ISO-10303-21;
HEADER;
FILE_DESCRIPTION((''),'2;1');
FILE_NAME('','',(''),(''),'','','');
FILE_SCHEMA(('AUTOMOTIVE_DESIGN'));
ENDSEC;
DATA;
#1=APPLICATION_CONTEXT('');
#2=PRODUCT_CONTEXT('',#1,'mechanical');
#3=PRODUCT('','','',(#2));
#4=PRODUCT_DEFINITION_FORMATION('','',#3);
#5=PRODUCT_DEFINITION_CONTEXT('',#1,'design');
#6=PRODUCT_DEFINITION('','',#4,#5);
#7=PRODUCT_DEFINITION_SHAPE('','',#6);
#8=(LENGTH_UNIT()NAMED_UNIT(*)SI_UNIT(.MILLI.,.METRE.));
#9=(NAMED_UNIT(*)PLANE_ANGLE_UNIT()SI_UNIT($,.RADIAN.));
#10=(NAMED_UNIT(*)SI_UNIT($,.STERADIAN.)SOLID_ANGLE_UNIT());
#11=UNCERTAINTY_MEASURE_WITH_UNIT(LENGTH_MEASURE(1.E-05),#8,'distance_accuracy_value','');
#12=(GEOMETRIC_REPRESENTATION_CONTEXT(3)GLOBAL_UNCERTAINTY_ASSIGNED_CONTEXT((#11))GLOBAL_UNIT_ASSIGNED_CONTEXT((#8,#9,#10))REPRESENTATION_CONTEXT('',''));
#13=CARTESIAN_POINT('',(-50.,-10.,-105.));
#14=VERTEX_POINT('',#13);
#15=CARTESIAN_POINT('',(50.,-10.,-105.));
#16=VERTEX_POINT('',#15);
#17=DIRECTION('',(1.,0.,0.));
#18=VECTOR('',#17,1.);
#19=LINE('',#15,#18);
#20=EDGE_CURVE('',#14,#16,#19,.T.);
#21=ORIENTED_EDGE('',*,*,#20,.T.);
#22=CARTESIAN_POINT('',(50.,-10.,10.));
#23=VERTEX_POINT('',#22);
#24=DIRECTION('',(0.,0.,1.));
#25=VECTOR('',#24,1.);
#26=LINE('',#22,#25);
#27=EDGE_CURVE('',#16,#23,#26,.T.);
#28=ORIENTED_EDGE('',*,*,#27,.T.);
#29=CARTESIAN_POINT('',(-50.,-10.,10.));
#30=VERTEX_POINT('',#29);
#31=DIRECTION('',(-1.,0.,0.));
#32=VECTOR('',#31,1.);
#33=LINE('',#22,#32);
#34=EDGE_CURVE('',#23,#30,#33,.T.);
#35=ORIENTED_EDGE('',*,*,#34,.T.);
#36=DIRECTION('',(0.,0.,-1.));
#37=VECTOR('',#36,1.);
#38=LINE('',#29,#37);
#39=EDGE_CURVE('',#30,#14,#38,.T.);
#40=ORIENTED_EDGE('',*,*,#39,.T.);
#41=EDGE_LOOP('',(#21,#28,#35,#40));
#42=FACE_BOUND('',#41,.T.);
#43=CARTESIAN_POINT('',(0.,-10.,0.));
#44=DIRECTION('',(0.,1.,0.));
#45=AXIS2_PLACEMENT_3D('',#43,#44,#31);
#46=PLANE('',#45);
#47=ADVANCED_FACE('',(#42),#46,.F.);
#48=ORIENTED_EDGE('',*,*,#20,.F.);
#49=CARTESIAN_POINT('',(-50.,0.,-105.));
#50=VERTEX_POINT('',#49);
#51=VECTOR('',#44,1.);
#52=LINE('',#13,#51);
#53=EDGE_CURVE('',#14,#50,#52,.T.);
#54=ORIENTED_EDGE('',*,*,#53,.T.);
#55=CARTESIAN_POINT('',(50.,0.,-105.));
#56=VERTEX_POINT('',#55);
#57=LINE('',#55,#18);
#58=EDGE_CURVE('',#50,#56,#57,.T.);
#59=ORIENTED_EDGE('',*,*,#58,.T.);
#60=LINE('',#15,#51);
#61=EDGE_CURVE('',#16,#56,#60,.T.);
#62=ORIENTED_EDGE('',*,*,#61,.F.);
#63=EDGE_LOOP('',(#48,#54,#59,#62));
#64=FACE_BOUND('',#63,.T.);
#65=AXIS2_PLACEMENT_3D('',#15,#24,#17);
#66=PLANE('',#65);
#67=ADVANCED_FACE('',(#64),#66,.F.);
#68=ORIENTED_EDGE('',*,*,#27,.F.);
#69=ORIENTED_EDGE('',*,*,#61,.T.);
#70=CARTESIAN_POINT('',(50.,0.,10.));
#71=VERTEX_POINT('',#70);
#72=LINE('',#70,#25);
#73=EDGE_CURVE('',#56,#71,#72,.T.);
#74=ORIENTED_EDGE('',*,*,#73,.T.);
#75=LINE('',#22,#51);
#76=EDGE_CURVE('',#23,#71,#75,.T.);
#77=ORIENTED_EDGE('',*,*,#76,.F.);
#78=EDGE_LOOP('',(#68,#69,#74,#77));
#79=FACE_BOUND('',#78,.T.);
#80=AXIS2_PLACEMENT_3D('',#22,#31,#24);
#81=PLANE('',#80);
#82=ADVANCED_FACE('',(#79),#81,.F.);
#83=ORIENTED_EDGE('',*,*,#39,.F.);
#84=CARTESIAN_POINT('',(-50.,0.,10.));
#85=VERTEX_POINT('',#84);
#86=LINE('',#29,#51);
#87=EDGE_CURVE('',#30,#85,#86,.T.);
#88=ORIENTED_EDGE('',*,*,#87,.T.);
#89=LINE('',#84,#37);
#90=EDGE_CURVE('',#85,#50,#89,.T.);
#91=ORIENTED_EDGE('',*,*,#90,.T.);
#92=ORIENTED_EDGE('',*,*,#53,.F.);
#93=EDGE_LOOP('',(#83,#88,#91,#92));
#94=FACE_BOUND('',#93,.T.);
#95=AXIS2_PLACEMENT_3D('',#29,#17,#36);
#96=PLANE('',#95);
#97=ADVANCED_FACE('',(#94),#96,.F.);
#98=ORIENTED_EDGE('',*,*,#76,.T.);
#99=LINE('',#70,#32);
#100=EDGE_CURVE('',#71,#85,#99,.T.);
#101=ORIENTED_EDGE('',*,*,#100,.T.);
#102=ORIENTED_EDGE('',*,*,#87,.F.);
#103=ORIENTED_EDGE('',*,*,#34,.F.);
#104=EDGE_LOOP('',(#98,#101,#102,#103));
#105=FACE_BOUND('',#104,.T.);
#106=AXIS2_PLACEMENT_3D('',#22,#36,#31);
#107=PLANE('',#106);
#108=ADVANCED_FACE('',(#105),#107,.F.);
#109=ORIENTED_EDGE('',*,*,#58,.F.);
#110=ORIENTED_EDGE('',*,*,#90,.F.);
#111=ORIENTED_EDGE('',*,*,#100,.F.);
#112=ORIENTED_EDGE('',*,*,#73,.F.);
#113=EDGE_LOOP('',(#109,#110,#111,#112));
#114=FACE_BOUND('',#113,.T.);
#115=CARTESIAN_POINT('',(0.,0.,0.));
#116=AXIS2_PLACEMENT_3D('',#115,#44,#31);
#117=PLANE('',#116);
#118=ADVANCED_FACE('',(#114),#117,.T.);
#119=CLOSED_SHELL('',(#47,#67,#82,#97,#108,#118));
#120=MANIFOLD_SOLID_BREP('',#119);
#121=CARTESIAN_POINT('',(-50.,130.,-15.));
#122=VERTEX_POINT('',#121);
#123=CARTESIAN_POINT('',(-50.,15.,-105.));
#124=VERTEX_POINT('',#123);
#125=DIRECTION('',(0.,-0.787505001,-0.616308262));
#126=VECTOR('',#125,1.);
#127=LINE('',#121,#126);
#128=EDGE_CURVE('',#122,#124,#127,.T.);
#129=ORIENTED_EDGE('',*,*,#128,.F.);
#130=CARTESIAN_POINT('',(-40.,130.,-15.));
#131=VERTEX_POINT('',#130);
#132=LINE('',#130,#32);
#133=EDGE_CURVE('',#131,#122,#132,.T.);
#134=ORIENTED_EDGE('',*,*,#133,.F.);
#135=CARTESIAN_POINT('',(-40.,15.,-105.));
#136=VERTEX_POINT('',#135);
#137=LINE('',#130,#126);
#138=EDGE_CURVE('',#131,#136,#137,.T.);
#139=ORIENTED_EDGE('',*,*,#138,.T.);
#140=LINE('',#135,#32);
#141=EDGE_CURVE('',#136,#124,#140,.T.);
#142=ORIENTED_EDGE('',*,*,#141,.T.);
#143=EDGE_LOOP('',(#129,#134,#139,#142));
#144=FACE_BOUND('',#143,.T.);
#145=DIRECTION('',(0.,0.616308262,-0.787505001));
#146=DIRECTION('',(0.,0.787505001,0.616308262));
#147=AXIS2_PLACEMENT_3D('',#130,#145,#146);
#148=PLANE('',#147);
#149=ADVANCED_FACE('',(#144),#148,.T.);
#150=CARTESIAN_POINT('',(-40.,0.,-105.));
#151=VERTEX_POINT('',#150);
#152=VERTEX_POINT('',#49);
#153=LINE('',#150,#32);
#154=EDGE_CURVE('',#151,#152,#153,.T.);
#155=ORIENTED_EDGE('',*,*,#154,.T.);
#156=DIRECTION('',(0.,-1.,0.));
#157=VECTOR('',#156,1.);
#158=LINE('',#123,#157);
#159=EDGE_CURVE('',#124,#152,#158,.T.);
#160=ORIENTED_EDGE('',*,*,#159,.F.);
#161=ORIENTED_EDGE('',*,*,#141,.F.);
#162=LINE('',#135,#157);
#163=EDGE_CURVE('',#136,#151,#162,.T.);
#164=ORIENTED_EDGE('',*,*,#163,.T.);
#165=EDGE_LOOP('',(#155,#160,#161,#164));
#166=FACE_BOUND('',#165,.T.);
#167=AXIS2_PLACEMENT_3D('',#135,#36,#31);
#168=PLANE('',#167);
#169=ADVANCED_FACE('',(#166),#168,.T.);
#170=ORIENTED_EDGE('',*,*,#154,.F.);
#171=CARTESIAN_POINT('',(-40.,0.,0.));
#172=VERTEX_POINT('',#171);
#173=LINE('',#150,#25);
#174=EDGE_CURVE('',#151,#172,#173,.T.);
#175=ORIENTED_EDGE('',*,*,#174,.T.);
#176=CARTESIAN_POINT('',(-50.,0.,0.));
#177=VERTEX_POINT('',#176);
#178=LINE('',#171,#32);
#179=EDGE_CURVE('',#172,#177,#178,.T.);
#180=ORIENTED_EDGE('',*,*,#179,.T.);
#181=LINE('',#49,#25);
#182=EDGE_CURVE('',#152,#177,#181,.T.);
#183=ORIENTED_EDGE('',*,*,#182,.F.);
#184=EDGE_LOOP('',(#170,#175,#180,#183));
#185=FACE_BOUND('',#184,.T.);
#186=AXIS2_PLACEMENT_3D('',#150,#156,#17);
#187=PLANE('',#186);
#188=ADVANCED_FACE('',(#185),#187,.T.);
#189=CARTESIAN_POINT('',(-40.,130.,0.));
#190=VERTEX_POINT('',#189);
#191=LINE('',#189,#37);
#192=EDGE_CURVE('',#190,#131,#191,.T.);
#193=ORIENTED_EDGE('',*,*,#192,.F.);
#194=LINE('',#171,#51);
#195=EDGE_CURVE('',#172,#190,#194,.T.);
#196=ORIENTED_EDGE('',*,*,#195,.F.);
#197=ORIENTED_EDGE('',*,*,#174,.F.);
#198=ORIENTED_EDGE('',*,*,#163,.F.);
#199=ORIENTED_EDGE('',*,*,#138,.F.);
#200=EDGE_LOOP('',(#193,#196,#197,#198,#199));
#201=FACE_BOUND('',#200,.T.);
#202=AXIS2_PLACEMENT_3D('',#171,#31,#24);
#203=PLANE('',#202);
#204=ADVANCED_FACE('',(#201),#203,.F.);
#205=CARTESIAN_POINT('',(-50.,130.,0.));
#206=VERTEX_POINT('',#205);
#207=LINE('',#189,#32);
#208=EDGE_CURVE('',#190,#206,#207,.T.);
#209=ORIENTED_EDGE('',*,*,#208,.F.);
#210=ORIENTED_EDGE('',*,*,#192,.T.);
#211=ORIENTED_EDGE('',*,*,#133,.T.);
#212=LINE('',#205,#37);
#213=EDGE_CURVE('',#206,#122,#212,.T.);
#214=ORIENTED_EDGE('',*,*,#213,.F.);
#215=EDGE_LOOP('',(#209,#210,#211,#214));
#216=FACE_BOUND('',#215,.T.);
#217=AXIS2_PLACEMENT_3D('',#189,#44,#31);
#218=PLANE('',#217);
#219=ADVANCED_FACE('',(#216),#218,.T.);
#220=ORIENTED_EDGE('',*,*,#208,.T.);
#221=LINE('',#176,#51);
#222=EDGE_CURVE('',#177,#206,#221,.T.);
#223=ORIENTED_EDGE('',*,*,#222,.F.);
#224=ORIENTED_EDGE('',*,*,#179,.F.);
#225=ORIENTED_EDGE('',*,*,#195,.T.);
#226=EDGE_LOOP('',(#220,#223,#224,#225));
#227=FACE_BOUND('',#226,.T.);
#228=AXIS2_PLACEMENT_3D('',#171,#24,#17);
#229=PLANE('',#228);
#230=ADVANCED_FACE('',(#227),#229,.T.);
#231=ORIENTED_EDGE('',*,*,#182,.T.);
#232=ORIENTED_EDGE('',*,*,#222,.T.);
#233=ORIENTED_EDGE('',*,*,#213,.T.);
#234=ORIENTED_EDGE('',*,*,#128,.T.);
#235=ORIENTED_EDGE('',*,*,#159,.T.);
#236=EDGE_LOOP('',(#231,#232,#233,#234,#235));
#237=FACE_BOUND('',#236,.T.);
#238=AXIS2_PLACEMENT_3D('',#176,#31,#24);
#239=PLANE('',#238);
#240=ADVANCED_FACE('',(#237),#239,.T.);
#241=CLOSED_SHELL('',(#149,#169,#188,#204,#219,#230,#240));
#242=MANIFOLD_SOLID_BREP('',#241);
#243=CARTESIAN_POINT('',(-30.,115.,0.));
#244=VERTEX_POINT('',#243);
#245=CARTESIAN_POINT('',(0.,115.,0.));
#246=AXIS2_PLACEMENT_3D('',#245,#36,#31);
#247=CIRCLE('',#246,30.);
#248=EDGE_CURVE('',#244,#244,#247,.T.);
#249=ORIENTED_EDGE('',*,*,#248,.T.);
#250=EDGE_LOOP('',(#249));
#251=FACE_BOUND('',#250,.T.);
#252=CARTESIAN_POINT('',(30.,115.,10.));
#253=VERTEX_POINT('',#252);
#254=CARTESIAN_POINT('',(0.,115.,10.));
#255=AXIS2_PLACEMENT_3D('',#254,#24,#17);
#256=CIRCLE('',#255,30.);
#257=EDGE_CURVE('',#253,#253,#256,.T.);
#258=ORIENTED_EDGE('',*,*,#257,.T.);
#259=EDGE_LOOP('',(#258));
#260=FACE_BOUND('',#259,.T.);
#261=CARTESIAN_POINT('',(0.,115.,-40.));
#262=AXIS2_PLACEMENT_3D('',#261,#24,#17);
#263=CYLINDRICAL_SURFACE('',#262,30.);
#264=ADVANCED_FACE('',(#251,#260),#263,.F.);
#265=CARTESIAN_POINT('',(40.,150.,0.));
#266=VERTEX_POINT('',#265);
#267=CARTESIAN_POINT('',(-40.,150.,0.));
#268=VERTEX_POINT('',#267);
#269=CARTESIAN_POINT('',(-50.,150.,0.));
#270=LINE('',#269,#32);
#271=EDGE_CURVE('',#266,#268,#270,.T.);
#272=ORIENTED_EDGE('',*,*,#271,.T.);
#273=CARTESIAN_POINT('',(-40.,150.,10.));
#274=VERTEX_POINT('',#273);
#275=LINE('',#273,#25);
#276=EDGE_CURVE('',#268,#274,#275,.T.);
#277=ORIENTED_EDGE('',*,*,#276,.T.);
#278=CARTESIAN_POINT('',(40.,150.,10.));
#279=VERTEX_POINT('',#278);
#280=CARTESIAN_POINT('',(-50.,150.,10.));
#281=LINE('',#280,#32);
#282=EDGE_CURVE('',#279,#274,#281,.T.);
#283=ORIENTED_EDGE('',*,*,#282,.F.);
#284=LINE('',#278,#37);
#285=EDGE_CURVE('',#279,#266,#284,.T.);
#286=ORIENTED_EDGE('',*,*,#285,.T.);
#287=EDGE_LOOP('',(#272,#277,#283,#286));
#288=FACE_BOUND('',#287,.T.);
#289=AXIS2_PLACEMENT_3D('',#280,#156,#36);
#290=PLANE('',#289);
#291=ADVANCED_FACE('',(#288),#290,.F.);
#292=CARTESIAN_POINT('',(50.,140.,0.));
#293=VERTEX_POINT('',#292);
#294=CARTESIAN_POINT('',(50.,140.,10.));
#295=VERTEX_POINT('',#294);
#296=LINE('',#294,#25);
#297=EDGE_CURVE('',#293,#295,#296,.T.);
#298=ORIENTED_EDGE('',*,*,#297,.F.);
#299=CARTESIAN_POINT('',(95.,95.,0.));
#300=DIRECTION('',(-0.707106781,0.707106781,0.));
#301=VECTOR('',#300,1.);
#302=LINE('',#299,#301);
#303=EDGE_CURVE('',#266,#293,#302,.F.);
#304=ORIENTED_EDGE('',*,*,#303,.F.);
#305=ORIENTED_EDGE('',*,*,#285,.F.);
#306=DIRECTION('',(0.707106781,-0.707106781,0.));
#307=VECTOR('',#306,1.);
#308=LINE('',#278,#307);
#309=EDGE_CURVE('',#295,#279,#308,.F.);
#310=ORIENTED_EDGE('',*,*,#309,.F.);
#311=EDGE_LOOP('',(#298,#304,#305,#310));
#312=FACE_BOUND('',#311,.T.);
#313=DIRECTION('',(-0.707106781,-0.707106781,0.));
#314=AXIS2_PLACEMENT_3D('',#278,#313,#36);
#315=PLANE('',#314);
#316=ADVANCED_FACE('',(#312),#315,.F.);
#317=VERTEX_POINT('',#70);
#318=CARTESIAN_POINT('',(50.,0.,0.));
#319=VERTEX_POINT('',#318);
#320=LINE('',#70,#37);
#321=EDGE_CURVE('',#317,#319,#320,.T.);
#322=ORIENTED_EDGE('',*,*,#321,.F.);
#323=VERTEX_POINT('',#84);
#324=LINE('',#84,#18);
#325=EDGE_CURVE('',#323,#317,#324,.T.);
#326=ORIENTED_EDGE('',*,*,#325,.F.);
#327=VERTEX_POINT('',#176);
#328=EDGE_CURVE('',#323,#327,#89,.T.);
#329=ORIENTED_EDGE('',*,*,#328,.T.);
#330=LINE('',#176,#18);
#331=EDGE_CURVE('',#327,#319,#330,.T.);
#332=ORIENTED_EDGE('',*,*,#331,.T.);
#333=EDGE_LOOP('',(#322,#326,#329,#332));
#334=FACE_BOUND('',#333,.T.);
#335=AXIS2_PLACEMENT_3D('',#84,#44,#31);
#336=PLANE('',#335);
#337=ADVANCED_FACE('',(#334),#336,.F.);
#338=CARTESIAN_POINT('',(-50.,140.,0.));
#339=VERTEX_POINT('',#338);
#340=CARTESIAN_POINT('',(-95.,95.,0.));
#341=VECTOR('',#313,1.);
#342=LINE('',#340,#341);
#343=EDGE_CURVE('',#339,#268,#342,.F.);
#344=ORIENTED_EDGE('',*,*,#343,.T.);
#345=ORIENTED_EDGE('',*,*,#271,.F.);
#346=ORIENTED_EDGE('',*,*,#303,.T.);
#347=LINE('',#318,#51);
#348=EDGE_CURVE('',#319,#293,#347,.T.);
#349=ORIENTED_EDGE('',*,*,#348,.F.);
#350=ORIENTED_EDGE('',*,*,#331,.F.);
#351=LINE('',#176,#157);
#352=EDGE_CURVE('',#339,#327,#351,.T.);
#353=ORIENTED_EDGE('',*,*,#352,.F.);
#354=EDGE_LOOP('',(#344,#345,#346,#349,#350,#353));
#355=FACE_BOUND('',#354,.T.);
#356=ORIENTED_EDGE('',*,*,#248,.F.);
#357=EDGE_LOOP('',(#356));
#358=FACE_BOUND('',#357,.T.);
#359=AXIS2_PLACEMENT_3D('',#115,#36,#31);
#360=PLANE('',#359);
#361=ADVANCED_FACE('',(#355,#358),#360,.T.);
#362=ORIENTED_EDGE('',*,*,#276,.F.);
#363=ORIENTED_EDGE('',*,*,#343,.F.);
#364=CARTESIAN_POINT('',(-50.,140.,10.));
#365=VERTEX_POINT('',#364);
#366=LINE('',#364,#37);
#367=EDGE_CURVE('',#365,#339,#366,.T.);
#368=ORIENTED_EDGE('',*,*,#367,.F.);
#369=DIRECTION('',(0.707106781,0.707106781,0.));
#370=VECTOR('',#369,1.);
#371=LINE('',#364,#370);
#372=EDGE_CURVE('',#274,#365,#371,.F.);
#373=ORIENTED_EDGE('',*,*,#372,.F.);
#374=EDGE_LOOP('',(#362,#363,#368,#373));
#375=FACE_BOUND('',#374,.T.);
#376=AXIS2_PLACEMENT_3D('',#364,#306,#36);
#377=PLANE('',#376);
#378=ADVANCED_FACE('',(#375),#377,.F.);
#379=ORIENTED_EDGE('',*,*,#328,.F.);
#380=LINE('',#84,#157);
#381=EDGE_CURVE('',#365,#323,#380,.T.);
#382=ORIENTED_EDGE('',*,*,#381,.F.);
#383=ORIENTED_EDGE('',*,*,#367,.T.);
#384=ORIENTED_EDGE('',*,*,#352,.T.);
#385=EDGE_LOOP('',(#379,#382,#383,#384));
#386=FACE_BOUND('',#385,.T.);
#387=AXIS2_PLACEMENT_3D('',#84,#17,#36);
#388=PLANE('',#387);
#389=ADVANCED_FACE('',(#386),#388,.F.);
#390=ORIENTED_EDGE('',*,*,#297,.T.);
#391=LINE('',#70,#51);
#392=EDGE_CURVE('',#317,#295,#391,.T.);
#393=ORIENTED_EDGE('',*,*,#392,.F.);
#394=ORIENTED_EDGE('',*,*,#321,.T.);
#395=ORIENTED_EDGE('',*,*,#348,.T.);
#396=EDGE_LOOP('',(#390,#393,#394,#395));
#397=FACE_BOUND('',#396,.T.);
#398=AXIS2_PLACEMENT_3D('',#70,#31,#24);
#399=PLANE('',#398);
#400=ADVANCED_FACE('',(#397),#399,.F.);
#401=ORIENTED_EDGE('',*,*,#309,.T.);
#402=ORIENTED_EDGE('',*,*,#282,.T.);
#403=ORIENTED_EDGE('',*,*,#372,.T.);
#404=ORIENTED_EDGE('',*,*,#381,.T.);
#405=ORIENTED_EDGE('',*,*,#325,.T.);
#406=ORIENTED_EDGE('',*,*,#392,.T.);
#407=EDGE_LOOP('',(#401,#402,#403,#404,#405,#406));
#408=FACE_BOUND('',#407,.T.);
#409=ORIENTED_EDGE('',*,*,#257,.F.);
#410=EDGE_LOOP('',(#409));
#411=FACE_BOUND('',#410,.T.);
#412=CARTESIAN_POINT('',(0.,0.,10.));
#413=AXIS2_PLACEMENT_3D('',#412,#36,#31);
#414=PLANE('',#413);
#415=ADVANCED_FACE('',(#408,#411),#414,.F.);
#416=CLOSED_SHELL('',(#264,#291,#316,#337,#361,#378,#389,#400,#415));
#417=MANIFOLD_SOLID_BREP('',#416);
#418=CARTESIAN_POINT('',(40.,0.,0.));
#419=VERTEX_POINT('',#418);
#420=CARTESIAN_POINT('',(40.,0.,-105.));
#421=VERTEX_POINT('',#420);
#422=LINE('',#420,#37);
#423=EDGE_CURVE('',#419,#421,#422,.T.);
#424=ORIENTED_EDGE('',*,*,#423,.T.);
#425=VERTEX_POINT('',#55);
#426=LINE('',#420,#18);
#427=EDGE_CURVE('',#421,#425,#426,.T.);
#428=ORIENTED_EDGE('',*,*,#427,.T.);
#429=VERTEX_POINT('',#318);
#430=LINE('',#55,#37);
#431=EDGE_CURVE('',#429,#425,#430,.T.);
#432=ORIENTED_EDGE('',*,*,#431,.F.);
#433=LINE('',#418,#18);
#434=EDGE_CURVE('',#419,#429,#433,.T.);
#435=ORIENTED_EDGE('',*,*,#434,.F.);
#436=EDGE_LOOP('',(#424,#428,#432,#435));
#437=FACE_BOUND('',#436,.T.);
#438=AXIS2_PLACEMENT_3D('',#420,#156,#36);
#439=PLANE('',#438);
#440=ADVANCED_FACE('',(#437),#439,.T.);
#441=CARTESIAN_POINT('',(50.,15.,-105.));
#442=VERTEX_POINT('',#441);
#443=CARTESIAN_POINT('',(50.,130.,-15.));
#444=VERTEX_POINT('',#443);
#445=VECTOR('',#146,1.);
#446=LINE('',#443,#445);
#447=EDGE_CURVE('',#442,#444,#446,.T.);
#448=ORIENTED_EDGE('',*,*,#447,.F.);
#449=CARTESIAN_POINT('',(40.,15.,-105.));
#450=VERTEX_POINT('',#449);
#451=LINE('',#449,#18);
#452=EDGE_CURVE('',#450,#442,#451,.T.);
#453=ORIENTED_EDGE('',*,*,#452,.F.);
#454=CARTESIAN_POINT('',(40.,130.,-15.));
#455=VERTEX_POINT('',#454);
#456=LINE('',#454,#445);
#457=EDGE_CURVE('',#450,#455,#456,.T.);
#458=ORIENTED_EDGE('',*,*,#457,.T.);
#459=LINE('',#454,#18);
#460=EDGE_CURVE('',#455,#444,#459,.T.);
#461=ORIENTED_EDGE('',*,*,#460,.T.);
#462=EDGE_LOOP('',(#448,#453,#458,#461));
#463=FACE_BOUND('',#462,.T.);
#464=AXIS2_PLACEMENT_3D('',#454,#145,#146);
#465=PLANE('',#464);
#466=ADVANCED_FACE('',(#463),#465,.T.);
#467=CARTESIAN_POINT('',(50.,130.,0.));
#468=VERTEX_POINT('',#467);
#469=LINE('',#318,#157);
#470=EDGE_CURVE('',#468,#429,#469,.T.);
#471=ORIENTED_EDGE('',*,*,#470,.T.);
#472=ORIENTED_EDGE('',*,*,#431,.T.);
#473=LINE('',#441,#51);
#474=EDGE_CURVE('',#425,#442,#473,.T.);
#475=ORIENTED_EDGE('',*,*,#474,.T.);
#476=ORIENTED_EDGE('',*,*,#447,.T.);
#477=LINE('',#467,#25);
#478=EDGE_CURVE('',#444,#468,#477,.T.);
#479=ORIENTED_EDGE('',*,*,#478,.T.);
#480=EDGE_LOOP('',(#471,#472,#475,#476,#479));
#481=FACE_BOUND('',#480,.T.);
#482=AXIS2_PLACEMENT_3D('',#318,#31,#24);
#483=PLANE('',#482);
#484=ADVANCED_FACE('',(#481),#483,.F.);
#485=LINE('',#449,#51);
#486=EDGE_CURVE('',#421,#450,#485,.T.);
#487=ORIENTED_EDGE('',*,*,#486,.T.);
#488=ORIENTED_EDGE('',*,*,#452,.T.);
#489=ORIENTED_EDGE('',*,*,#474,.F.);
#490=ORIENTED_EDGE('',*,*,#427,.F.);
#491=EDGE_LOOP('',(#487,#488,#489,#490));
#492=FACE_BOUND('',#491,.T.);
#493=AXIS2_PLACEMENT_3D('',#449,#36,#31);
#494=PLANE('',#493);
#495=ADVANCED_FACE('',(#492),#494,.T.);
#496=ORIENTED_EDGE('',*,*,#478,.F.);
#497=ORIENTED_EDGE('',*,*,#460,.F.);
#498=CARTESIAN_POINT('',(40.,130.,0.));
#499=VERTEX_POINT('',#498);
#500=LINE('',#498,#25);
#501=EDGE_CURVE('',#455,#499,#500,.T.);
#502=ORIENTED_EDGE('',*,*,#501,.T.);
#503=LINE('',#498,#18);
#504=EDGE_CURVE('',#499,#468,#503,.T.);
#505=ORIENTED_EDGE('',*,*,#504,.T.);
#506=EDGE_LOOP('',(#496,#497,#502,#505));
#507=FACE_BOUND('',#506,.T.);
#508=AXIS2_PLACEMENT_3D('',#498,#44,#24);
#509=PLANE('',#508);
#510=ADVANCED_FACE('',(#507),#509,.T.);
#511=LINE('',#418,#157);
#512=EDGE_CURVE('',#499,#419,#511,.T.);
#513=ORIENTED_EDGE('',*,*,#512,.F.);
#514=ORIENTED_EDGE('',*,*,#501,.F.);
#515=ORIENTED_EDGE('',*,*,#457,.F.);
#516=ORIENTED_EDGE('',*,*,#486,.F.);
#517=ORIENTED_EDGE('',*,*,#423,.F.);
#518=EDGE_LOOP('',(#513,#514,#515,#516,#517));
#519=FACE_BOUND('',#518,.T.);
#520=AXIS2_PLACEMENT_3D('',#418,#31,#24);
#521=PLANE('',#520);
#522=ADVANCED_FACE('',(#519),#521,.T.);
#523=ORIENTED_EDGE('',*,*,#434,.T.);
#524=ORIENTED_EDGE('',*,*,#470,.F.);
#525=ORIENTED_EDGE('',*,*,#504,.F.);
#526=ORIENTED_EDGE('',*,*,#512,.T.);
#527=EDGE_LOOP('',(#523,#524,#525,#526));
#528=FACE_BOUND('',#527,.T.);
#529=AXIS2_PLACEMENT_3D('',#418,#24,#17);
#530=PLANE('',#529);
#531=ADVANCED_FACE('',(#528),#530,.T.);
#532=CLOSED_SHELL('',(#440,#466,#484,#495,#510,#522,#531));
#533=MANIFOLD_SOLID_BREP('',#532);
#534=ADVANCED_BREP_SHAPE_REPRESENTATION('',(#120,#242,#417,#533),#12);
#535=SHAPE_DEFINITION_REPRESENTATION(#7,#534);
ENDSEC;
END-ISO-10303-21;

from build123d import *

# Parameters (mm, degrees)
SKETCH1_W           = 100
SKETCH1_H           = 150
BOSS_EXTRUDE1_DEPTH = 10
SKETCH3_W           = 100
SKETCH3_H           = 115
BOSS_EXTRUDE3_DEPTH = 10
BOSS_EXTRUDE4_DEPTH = 10
BOSS_EXTRUDE5_DEPTH = 10
CHAMFER1_SIZE       = 10
SKETCH6_R           = 30
CUT_EXTRUDE1_DEPTH  = 50


with BuildPart() as part:
    # Sketch1 → Boss-Extrude1 (new body)
    with BuildSketch(Plane.XY):
        with Locations((0, 75)):
            Rectangle(SKETCH1_W, SKETCH1_H)
    extrude(amount=BOSS_EXTRUDE1_DEPTH)

    # Chamfer1
    chamfer1_edges = [part.edges().sort_by_distance(p)[0] for p in [
        (-50, 150, 5),
        (50, 150, 5),
    ]]
    chamfer(chamfer1_edges, length=CHAMFER1_SIZE)

    # Sketch6 → Cut-Extrude1 (cut)
    with BuildSketch(Plane.XY.offset(10)):
        with Locations((0, 115)):
            Circle(SKETCH6_R)
    extrude(amount=-CUT_EXTRUDE1_DEPTH, mode=Mode.SUBTRACT)


with BuildPart() as body_2:
    # Sketch3 → Boss-Extrude3 (new body)
    with BuildSketch(Plane.XZ):
        with Locations((0, -47.5)):
            Rectangle(SKETCH3_W, SKETCH3_H)
    extrude(amount=BOSS_EXTRUDE3_DEPTH)


with BuildPart() as body_3:
    # Sketch4 → Boss-Extrude4 (new body)
    with BuildSketch(Plane(origin=(50, 0, 0), x_dir=(0, 0, -1), z_dir=(1, 0, 0))):
        Polygon((105, 0), (0, 0), (0, 130), (15, 130), (105, 15), align=None)
    extrude(amount=-BOSS_EXTRUDE4_DEPTH)


with BuildPart() as body_4:
    # Sketch5 → Boss-Extrude5 (new body)
    with BuildSketch(Plane.ZY.offset(50)):
        Polygon((0, 0), (0, 130), (-15, 130), (-105, 15), (-105, 0), align=None)
    extrude(amount=-BOSS_EXTRUDE5_DEPTH)


solid = Compound([part.part, body_2.part, body_3.part, body_4.part])
